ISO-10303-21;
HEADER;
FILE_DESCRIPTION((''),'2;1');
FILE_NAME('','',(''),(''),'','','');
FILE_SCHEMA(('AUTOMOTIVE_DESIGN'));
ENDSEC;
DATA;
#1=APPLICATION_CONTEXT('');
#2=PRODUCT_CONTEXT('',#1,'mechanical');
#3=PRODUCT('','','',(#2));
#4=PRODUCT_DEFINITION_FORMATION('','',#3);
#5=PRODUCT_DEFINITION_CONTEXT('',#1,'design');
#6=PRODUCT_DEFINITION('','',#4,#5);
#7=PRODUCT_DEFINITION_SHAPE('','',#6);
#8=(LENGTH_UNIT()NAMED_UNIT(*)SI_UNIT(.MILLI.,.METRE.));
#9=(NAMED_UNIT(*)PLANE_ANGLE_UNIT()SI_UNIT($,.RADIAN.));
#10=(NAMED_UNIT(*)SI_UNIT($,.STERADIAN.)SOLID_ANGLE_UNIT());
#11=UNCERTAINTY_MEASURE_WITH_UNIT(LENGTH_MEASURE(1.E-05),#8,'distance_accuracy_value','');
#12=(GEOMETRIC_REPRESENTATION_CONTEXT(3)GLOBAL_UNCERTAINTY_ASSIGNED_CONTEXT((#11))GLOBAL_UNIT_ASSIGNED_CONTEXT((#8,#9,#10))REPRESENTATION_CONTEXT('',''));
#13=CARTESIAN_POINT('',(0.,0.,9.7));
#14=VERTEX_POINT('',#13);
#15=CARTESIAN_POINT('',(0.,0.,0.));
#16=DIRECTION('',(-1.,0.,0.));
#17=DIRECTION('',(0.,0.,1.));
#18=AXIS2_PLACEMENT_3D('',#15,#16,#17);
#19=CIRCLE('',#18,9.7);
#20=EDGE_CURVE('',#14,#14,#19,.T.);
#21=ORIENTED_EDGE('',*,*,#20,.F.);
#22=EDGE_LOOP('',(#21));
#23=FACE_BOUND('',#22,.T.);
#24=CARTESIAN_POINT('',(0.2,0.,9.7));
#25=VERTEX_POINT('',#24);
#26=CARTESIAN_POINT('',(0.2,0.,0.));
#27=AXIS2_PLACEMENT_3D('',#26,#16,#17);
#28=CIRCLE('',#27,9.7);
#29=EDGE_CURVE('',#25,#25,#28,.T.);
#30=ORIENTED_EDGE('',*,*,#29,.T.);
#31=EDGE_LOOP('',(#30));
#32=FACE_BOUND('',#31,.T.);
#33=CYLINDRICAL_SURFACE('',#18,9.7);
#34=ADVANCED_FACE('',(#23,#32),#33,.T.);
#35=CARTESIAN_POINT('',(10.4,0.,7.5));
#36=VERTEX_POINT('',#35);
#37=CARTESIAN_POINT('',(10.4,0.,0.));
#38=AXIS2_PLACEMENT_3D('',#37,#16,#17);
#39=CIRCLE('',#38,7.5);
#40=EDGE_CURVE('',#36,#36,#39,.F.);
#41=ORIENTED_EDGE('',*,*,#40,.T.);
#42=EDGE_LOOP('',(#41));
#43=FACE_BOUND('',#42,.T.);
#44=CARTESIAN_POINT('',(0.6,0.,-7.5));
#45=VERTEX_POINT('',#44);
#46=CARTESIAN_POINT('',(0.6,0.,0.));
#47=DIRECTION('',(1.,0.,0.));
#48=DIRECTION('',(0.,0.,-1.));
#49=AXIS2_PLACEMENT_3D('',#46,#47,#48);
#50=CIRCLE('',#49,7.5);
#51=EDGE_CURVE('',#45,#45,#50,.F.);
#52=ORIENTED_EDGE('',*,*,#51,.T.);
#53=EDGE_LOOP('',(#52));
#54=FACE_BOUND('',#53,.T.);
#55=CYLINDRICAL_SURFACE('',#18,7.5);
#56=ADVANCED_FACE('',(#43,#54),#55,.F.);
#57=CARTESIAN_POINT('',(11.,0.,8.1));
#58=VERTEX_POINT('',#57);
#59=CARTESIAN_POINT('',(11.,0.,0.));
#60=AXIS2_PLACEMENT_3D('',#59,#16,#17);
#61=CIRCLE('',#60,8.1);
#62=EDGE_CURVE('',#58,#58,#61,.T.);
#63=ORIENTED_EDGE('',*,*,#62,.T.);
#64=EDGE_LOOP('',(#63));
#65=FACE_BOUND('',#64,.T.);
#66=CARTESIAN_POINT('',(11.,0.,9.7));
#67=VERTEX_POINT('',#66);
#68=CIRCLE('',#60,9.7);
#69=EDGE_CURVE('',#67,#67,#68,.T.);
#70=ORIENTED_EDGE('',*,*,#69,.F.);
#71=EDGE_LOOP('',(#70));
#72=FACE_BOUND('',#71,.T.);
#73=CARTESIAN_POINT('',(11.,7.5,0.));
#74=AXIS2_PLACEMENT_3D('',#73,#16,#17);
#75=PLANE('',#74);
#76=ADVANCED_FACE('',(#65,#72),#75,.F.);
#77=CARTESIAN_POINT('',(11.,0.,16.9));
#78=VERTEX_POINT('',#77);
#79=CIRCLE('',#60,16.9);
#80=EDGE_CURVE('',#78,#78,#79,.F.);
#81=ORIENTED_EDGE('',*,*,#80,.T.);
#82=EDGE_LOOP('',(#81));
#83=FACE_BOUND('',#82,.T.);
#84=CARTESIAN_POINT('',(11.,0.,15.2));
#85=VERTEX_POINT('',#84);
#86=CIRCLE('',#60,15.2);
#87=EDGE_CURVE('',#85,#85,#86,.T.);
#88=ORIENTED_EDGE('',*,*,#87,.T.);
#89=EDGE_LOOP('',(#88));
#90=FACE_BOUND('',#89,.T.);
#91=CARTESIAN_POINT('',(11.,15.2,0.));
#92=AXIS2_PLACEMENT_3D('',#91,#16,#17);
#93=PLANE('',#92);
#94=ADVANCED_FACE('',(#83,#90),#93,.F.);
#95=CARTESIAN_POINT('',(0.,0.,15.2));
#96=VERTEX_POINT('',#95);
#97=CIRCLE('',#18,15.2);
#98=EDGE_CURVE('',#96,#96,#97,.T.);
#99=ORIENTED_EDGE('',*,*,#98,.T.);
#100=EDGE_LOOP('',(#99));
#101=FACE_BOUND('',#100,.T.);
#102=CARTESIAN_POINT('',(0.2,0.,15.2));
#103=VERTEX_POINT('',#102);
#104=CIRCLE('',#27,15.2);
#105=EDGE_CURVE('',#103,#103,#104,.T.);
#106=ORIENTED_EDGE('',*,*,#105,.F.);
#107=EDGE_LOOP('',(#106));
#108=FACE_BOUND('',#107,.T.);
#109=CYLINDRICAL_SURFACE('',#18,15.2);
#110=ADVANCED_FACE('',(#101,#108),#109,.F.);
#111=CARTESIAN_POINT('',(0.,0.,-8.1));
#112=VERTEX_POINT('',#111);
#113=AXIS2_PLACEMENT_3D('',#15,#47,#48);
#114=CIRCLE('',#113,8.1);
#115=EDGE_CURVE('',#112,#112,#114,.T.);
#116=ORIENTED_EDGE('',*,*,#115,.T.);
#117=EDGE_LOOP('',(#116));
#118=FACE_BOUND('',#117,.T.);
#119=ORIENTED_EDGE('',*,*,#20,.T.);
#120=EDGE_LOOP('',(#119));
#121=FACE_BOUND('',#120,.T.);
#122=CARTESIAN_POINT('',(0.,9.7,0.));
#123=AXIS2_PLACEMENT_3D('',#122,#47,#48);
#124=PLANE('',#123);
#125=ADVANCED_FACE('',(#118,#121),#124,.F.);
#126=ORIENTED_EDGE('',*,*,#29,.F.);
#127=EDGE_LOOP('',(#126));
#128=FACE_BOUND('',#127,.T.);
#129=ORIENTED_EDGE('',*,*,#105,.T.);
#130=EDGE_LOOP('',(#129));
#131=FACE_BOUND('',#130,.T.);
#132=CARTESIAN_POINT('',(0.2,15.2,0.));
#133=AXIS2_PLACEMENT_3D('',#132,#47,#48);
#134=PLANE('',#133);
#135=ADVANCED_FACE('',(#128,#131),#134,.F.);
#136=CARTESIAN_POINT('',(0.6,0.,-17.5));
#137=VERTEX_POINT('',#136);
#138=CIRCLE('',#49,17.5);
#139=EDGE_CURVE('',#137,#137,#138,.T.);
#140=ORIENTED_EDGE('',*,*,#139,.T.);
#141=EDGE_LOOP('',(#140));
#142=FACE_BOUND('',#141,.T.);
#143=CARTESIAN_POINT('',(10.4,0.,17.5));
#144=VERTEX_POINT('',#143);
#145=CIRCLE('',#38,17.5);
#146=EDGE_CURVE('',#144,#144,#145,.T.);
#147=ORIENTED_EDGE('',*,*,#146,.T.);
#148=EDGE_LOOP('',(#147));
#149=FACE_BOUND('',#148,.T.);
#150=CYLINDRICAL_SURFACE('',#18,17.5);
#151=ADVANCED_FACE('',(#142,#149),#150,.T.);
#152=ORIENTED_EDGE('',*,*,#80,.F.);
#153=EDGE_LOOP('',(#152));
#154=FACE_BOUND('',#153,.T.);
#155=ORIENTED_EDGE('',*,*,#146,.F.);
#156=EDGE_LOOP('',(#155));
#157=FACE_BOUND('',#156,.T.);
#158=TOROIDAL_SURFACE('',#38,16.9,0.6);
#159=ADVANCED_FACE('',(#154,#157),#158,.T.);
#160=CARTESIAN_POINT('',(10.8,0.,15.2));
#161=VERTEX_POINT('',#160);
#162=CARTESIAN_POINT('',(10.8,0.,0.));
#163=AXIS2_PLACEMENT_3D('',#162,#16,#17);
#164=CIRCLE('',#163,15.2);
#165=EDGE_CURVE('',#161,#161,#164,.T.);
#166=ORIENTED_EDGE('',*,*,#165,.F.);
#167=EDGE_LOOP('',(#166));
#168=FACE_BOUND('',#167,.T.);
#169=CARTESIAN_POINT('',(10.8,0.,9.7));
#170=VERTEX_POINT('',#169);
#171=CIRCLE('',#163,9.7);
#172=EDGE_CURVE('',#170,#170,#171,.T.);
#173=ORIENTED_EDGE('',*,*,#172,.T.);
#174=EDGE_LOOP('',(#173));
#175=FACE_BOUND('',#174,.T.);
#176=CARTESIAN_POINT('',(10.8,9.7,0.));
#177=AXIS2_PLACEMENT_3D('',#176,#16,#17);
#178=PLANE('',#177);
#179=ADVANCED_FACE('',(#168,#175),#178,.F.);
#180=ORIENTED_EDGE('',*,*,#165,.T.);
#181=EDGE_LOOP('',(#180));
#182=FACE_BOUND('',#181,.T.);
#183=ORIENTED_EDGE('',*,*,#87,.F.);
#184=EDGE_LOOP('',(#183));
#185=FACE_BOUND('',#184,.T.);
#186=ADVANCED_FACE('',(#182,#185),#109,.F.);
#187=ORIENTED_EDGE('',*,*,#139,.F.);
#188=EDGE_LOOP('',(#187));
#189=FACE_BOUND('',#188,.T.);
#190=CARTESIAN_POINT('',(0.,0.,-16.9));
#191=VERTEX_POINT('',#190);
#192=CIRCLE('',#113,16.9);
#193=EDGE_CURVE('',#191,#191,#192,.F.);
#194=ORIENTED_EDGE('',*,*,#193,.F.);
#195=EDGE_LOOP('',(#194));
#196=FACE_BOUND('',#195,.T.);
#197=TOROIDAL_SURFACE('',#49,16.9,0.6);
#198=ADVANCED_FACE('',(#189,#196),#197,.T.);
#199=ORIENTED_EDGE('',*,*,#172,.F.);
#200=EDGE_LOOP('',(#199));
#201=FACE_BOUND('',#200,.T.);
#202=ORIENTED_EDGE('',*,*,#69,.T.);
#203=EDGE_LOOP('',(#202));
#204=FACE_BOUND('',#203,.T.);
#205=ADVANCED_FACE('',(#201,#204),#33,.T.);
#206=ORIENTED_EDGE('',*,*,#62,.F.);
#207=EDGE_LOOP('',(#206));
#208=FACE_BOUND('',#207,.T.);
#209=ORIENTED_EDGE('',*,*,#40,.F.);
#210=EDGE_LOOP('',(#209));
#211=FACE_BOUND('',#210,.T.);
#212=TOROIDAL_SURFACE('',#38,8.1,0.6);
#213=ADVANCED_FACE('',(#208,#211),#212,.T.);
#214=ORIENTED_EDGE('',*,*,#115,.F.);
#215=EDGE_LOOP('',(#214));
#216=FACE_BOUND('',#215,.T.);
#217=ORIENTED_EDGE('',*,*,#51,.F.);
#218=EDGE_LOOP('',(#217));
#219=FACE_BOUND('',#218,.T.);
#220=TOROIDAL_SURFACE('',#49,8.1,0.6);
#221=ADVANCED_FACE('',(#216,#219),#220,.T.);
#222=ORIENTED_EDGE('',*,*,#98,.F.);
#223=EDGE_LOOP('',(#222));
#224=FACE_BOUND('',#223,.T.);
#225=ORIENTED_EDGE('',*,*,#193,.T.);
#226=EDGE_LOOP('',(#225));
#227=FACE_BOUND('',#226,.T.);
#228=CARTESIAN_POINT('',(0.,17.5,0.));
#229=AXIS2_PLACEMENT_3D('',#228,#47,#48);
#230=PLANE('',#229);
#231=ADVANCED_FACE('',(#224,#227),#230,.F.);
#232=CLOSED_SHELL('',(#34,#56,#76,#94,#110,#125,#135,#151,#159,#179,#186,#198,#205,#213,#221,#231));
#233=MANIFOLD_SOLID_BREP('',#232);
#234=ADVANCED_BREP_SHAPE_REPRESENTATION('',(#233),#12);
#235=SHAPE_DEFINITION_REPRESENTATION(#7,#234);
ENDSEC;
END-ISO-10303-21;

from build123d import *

# Parameters (mm, degrees)
FILLET1_R = 0.6


with BuildPart() as part:
    # Sketch1 → Revolve1 (revolve)
    with BuildSketch(Plane.XY, mode=Mode.PRIVATE) as revolve1_sk:
        Polygon((0, 9.7), (0, 7.5), (11, 7.5), (11, 9.7), (10.8, 9.7), (10.8, 15.2), (11, 15.2), (11, 17.5), (0, 17.5), (0, 15.2), (0.2, 15.2), (0.2, 9.7), align=None)
    revolve(revolve1_sk.sketch.rotate(Axis((0, 0, 0), (1, 0, 0)), 90), axis=Axis((0, 0, 0), (1, 0, 0)))

    # Fillet1
    fillet1_edges = [part.edges().sort_by_distance(p)[0] for p in [
        (11, 0, -17.5),
        (11, 0, -7.5),
        (0, 0, -7.5),
        (0, 0, -17.5),
    ]]
    fillet(fillet1_edges, radius=FILLET1_R)


solid = part.part
